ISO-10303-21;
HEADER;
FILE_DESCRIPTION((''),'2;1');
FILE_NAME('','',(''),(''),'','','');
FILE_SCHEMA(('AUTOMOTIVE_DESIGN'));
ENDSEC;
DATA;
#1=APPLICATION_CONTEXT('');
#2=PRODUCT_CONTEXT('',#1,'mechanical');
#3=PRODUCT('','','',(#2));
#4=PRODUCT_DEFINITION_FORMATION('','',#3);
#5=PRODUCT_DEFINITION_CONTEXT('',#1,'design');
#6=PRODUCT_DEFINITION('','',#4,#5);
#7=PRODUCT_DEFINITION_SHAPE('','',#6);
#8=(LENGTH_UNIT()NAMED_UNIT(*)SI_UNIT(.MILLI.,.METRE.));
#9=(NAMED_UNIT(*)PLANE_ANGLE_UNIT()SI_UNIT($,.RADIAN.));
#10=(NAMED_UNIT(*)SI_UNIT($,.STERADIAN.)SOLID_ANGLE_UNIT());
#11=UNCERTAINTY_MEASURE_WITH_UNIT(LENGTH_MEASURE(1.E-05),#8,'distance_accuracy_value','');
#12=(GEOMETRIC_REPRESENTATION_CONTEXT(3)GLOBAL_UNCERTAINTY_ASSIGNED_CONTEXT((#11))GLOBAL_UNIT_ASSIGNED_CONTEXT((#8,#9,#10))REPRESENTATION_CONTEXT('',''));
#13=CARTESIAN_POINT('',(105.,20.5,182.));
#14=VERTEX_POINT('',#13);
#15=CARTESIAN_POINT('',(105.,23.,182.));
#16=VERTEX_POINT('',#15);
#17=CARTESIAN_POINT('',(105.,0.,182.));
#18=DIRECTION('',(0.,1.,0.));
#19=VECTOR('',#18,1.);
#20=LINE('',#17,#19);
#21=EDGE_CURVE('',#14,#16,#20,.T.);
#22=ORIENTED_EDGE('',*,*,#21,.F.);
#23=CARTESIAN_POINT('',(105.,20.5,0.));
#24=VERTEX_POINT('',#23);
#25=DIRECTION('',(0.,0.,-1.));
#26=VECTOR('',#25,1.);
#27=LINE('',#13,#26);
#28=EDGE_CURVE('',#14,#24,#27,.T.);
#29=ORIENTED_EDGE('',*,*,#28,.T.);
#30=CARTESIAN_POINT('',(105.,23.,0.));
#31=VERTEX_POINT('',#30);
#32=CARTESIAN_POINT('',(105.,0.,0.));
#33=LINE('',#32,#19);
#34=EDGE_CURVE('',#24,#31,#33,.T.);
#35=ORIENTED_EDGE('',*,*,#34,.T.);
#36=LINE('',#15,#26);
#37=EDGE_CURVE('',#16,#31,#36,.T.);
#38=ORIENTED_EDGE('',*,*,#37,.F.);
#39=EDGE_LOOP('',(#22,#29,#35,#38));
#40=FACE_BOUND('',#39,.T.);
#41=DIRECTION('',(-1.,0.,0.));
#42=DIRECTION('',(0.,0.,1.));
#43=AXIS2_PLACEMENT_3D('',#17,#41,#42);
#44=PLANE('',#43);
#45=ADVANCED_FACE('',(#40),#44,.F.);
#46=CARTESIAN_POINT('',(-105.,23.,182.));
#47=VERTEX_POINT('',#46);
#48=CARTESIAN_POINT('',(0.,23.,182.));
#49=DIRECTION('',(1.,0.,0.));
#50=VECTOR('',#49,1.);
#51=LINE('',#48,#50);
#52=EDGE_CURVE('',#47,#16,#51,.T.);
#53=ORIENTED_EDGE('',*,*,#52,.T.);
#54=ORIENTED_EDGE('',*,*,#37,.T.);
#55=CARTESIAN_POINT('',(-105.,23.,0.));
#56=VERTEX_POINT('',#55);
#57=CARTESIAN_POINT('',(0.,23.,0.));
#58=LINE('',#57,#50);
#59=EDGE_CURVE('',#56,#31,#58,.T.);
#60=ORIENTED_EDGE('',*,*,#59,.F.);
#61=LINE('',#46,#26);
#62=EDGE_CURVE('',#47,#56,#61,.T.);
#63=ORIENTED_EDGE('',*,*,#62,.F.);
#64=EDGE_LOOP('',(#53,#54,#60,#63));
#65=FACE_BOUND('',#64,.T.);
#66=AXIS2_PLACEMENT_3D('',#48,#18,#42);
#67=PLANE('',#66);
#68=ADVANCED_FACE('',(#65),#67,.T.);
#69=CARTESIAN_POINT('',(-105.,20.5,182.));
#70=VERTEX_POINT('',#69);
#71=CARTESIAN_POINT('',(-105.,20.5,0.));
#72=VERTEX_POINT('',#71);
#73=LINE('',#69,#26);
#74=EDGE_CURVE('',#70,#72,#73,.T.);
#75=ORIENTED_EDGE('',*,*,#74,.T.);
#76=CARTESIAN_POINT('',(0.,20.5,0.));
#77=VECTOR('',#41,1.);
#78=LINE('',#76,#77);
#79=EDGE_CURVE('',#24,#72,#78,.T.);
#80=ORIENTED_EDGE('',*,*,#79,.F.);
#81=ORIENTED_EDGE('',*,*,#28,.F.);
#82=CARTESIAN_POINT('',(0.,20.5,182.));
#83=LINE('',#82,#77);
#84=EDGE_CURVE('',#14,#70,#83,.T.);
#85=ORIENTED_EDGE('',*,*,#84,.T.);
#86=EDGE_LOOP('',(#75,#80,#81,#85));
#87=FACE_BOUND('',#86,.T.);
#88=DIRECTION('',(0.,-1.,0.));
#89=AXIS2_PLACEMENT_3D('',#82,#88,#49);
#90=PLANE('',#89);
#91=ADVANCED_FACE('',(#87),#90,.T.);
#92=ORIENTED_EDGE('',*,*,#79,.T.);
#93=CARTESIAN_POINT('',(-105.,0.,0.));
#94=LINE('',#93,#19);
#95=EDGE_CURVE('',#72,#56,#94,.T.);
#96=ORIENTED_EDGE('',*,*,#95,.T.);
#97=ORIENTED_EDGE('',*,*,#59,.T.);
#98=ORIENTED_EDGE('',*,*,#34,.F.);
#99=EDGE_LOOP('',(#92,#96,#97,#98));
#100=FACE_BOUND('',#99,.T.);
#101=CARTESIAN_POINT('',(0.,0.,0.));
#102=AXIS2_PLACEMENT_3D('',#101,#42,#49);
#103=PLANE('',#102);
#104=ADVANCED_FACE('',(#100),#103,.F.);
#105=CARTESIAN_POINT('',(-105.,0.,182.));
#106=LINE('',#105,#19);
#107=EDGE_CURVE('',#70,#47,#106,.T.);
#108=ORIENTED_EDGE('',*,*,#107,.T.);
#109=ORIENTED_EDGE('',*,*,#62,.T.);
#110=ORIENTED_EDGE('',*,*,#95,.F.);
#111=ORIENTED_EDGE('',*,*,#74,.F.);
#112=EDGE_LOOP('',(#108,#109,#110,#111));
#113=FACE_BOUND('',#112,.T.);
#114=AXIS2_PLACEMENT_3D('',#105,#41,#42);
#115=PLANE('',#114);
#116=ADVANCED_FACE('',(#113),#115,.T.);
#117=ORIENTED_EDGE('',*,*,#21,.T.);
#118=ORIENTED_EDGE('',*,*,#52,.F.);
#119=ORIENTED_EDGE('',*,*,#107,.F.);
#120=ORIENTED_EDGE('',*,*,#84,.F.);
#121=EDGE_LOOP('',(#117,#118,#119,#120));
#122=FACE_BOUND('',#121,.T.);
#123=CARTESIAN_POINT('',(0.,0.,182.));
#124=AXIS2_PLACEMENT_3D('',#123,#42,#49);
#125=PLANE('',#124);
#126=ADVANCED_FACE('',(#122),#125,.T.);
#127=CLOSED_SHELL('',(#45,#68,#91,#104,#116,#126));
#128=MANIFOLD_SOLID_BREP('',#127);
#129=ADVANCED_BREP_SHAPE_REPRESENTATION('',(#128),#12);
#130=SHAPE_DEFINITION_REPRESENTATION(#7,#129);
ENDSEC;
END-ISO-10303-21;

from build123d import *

# Parameters (mm, degrees)
EXTRUDE_1_DEPTH = 182


with BuildPart() as part:
    # 草图1 → 凸台-拉伸1 (new body)
    with BuildSketch(Plane.XY):
        Polygon((-105, 20.5), (-100, 20.5), (100, 20.5), (105, 20.5), (105, 23), (-105, 23), align=None)
    extrude(amount=EXTRUDE_1_DEPTH)


solid = part.part
